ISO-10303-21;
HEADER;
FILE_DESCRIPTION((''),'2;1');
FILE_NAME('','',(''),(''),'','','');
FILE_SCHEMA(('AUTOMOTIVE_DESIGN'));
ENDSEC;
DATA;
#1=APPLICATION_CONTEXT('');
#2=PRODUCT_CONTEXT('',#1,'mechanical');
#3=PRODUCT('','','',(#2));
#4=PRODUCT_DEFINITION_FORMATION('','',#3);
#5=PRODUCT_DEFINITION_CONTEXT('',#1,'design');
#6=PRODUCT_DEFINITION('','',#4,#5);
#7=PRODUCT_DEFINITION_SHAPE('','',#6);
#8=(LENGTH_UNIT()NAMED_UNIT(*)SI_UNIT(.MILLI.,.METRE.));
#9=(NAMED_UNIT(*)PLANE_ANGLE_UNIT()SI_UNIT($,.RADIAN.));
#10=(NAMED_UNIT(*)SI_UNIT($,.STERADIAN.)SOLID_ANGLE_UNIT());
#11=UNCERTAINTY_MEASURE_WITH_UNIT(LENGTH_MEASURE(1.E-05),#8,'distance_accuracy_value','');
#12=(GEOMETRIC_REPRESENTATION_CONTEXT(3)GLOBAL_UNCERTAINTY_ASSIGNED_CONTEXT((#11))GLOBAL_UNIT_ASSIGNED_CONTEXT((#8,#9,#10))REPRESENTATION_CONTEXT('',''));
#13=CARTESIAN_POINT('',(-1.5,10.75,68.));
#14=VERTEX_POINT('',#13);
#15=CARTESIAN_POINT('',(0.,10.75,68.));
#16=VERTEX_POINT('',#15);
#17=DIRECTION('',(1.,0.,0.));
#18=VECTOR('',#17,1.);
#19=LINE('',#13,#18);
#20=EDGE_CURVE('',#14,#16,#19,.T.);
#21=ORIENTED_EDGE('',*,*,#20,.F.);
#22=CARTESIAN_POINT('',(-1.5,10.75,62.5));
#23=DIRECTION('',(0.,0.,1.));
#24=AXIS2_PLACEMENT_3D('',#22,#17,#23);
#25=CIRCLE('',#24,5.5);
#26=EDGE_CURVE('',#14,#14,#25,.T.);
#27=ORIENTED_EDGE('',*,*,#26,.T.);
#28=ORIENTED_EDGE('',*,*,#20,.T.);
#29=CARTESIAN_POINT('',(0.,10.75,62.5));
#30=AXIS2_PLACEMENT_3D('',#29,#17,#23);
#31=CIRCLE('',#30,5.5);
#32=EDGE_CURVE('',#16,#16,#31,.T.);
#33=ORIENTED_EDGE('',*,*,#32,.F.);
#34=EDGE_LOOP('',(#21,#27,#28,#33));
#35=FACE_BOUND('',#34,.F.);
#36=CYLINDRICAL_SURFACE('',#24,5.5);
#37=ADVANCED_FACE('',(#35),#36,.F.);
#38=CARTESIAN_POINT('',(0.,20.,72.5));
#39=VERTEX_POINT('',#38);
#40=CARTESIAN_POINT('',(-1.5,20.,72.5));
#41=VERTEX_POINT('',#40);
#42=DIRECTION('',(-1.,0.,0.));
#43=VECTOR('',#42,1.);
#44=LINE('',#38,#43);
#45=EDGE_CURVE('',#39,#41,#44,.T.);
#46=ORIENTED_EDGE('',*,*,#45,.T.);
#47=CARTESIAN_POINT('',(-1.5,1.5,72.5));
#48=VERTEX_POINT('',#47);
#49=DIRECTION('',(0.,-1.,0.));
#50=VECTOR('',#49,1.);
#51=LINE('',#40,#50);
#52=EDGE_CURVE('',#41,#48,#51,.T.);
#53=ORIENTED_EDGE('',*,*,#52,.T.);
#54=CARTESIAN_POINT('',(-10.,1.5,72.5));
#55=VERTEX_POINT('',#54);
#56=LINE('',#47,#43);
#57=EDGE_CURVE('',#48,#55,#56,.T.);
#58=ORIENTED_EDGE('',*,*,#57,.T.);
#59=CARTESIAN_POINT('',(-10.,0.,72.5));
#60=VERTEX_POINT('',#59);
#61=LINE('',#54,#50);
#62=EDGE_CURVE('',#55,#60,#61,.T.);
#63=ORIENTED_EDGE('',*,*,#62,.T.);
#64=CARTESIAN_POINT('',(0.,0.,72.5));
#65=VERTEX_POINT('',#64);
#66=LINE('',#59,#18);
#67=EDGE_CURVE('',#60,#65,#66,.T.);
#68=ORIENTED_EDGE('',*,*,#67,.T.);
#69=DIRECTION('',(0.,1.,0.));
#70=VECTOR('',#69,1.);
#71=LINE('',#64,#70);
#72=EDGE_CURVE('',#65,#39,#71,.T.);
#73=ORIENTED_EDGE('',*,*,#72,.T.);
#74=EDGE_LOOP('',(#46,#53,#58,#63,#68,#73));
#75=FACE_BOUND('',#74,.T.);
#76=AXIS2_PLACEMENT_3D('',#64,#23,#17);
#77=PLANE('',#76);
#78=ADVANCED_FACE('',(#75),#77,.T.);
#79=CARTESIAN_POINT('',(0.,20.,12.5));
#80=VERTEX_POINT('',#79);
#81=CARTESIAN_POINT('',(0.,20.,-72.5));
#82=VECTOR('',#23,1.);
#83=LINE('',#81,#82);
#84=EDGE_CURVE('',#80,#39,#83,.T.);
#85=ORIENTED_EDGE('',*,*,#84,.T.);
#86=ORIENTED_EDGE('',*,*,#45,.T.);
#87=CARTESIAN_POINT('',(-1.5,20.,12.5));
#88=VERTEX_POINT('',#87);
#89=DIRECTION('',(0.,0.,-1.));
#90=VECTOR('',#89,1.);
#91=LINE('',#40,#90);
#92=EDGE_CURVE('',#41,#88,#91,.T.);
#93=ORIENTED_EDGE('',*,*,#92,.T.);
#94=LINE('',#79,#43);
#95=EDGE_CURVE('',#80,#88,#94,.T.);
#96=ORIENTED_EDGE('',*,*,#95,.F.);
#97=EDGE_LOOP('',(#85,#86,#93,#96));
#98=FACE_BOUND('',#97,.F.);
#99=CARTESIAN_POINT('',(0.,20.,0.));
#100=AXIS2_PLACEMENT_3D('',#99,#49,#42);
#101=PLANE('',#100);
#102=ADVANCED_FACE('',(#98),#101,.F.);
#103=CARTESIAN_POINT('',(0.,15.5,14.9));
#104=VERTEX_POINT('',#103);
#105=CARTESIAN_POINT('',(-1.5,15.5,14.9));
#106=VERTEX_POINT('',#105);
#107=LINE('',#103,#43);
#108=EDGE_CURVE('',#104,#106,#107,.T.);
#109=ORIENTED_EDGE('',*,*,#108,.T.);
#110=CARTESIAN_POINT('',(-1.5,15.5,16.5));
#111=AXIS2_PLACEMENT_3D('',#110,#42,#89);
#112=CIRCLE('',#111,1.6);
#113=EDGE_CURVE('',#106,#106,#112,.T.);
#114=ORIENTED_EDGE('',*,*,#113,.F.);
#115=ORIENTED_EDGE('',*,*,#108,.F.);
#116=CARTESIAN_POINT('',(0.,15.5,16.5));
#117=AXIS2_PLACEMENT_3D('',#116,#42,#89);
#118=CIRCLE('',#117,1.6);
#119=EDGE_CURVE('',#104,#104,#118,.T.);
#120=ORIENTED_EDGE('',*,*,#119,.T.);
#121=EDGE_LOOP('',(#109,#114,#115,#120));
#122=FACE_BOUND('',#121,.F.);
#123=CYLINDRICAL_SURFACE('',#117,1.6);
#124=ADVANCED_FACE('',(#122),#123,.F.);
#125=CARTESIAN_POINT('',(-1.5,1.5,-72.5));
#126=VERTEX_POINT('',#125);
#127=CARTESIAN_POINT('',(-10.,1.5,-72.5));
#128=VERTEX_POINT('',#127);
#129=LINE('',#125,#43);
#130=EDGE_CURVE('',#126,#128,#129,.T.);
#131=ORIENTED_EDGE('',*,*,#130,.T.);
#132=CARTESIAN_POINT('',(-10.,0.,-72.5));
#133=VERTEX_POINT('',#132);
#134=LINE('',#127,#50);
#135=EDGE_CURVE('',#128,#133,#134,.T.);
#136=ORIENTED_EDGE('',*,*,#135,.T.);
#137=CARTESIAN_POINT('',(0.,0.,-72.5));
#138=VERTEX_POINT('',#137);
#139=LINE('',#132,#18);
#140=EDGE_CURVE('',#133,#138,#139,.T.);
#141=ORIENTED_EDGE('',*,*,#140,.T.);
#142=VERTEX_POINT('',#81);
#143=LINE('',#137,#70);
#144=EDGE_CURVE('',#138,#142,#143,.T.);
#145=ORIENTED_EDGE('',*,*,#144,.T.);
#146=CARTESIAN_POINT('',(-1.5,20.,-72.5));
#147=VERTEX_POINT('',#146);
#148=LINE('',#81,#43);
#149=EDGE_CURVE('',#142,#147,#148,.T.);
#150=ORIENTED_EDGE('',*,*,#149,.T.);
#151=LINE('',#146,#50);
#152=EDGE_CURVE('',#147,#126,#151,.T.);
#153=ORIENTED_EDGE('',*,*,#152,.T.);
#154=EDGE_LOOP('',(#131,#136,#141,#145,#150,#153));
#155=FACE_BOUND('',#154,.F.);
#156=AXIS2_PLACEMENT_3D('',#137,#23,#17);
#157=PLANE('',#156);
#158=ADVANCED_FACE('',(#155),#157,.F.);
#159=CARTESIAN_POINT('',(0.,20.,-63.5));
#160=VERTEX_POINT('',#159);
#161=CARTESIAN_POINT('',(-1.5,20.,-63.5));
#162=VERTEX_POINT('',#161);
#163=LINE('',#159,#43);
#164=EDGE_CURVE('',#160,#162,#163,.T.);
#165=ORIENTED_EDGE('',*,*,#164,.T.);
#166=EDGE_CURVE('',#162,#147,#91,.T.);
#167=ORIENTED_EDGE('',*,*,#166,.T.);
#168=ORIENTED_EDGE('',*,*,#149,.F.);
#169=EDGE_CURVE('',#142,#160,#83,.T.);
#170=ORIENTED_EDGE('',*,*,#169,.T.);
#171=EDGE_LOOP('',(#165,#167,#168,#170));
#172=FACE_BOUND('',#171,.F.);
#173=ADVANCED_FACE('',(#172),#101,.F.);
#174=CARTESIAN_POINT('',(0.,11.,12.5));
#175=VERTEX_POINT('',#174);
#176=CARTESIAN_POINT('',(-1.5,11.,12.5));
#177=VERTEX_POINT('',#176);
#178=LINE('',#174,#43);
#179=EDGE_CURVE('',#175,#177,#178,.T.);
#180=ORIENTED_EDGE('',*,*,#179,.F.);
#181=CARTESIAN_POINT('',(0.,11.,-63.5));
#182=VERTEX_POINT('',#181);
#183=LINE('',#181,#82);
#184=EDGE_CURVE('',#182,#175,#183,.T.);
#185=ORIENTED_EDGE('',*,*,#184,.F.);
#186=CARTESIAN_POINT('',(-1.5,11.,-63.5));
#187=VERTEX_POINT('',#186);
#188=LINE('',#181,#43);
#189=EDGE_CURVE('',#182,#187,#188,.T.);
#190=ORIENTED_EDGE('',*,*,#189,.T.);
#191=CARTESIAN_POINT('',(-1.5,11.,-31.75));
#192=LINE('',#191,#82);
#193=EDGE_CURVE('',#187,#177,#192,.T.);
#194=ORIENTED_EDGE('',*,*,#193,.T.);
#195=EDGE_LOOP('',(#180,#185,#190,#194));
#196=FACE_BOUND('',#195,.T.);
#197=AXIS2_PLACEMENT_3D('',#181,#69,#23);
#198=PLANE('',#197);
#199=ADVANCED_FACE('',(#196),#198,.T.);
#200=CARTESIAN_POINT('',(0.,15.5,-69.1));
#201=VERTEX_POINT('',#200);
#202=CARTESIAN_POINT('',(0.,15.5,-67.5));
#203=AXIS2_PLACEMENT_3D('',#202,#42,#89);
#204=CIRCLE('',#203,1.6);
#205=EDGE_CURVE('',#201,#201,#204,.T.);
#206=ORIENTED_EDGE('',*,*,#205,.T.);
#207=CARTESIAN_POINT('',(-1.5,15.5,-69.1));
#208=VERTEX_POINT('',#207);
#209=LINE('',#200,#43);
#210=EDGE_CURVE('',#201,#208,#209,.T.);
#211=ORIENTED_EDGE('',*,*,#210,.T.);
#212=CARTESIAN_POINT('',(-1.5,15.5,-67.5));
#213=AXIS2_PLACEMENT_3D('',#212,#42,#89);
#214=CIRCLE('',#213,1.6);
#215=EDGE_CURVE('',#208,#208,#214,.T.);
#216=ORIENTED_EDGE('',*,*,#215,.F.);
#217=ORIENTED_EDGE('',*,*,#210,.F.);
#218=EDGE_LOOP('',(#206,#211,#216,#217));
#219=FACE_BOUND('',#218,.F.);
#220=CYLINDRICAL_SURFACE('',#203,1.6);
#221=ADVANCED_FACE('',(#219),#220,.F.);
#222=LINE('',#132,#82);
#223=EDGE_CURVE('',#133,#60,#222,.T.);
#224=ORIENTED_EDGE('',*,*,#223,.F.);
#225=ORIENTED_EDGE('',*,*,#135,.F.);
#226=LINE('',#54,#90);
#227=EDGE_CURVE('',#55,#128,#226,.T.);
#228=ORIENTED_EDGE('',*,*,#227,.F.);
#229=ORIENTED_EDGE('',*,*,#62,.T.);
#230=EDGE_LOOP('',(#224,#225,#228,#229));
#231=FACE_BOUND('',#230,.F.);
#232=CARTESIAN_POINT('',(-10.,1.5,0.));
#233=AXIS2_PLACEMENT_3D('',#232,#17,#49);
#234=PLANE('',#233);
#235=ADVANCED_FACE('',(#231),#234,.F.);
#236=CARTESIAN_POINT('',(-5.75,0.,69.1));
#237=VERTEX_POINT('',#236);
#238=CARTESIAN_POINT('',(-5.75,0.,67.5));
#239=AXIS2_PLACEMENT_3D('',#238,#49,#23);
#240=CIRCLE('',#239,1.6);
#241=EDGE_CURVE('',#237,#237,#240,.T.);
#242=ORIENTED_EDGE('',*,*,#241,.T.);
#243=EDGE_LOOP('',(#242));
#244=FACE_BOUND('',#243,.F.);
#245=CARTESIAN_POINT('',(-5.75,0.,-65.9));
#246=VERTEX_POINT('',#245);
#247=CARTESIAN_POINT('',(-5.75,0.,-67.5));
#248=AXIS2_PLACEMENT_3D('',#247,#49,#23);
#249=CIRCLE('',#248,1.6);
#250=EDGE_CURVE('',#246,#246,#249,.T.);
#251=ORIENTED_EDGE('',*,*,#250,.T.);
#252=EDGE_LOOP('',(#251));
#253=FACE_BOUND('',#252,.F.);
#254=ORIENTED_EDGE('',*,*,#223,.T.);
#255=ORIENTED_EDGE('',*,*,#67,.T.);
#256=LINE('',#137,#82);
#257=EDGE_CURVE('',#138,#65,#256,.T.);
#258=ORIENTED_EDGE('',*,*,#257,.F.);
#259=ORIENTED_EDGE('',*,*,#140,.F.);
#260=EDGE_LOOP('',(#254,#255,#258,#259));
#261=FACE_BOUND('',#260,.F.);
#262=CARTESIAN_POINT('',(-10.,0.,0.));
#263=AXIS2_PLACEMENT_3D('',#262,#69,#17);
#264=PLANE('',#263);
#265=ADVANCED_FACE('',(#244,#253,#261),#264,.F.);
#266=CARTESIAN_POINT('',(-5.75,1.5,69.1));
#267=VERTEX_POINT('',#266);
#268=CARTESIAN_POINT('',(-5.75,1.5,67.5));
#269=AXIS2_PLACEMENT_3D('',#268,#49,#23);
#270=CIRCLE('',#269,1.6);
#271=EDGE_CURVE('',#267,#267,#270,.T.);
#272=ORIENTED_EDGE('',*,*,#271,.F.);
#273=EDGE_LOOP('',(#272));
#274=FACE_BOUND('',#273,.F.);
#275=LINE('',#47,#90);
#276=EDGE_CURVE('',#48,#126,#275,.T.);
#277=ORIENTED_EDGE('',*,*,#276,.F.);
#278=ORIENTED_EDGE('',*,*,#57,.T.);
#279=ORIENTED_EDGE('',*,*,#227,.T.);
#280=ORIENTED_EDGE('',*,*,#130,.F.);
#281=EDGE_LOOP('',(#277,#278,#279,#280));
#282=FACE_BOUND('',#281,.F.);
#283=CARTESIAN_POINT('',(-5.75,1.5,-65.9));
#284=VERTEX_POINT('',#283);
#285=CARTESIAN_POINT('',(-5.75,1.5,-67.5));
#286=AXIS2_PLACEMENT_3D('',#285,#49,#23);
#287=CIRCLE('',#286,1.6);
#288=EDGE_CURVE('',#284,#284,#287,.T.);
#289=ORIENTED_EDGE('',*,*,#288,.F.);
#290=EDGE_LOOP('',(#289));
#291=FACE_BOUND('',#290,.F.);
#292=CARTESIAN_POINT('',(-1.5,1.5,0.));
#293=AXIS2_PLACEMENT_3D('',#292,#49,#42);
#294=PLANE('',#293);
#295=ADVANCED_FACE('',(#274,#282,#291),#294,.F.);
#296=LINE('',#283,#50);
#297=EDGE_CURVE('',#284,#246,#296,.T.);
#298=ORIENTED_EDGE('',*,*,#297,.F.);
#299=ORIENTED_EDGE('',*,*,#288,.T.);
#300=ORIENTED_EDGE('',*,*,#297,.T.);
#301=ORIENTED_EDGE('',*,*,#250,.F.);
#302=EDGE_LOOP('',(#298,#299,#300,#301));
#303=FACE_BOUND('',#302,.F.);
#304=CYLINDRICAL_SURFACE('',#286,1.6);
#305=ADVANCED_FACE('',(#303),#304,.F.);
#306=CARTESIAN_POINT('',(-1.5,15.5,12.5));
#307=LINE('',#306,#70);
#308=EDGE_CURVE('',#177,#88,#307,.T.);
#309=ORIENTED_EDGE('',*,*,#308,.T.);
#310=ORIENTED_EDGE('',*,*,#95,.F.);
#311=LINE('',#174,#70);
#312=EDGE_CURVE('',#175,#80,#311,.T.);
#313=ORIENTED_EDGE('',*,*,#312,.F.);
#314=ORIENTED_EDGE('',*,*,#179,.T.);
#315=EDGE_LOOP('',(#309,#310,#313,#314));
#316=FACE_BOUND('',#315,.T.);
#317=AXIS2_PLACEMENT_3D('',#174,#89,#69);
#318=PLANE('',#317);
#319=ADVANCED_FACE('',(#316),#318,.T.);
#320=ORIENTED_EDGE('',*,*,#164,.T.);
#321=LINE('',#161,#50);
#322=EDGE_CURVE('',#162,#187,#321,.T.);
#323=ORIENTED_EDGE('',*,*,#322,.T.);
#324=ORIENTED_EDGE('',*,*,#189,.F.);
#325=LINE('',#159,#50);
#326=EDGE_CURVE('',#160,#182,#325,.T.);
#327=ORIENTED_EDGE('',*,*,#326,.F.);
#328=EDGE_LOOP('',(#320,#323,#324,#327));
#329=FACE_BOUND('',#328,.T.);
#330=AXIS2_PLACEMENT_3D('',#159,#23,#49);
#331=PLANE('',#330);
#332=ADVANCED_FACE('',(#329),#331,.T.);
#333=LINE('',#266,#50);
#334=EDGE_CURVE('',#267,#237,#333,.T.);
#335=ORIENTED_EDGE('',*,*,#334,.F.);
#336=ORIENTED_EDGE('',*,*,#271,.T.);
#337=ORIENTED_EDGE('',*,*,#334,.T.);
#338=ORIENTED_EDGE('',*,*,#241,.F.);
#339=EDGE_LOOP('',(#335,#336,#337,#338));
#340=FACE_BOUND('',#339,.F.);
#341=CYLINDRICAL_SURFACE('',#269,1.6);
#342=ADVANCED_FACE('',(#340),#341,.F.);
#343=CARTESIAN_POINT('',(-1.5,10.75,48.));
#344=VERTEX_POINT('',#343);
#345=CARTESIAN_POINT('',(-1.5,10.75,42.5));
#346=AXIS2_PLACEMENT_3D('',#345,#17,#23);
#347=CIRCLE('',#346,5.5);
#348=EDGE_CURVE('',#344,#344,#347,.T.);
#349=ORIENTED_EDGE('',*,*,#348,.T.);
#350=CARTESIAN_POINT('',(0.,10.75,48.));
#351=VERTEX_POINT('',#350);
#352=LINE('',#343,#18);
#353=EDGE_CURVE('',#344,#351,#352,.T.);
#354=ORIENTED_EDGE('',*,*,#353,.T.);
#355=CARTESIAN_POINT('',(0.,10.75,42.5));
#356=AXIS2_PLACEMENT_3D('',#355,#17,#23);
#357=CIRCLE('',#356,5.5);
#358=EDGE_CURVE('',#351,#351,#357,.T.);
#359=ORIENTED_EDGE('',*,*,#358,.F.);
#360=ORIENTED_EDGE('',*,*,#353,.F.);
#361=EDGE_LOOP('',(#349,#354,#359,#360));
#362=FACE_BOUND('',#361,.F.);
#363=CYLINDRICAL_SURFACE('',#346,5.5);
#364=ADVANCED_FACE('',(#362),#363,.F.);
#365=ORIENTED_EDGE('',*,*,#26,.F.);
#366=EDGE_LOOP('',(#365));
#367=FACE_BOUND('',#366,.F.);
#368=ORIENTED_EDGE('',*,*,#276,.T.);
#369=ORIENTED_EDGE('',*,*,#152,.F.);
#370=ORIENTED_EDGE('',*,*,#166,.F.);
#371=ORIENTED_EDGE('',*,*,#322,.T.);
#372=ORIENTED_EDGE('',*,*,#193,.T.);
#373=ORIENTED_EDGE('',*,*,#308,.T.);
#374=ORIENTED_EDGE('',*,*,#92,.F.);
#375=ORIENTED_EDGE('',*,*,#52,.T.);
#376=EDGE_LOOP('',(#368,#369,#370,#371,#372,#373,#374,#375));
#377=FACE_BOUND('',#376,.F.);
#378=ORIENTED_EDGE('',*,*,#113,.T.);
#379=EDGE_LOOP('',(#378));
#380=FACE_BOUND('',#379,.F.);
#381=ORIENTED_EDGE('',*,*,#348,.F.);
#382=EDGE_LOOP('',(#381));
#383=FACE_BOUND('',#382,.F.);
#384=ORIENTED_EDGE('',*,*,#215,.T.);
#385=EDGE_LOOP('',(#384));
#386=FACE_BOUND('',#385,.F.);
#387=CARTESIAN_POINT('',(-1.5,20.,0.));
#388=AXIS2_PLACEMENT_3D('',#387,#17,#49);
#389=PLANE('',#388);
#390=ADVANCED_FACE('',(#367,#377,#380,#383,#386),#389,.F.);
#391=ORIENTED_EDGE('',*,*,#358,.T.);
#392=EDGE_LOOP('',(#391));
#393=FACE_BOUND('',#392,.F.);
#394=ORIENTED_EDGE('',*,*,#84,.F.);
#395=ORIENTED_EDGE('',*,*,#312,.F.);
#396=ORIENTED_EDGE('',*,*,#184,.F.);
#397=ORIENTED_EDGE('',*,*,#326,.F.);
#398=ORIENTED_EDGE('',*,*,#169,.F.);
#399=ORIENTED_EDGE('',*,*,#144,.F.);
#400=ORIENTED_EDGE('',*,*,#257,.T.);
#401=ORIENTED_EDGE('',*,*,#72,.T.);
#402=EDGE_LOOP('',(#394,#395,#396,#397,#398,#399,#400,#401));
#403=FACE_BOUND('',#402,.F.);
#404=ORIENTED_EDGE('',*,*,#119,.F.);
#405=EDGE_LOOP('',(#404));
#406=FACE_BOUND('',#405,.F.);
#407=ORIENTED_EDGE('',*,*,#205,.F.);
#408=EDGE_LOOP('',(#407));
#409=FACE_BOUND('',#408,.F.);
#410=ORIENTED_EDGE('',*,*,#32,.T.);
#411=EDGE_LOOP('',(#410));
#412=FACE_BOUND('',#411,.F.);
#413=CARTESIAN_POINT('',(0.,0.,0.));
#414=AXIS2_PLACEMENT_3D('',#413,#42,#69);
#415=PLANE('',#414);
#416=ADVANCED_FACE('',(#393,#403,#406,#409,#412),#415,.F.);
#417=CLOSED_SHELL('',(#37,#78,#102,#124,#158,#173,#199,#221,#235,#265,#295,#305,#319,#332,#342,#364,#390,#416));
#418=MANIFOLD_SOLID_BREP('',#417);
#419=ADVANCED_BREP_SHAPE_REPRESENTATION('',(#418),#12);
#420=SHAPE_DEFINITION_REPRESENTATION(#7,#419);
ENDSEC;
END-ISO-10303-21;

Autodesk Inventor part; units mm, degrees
ref_plane "YZ Plane" through (0, 0, 0) normal (1, 0, 0) x (0, 1, 0)
ref_plane "XZ Plane" through (0, 0, 0) normal (0, 1, 0) x (-1, 0, 0)
ref_plane "XY Plane" through (0, 0, 0) normal (0, 0, 1) x (1, 0, 0)
sketch "Náčrt1" plane through (0, 0, 0) normal (0, 0, 1) x (1, 0, 0)
  line L0 (-10, 0) -> (0, 0)
  line L1 (0, 0) -> (0, 20)
  line L2 (0, 20) -> (-1.5, 20)
  line L3 (-1.5, 20) -> (-1.5, 1.5)
  line L4 (-1.5, 1.5) -> (-10, 1.5)
  line L5 (-10, 1.5) -> (-10, 0)
  line L6 (-12, 0) -> (2, 0) projected
  line L7 (0, 24) -> (0, -4) projected
  point P0 (0, 0)
  dimension "d0" = 20
  dimension "d1" = 10
  dimension "d2" = 1.5
  dimension "d3" = 1.5
extrude "Vysunutí1" add sketch "Náčrt1" along normal mid plane 145
sketch "Náčrt2" plane through (-10, 1.5, 72.5) normal (0, 1, 0) x (1, 0, 0)
  line L0 (0, 0) -> (0, 145) projected
  line L1 (8.5, 0) -> (0, 0) projected
  line L2 (8.5, 145) -> (8.5, 0) projected
  line L3 (0, 145) -> (8.5, 145) projected
  point P0 (10, 72.5)
  point P1 (4.25, 140)
  point P2 (4.25, 5)
  point P3 (4.25, 0)
  dimension "d6" = 4.25
  dimension "d7" = 4.25
  dimension "d57" = 5
  dimension "d78" = 5
hole "Díra1" at (-5.75, 1.5, -67.5) at (-5.75, 1.5, 67.5) direction (0, -1, 0) diameter 3.2 end through all
sketch "Náčrt9" plane through (-1.5, 1.5, 72.5) normal (-1, 0, 0) x (0, 0, 1)
  line L0 (-145, 18.5) -> (0, 18.5) projected
  line L1 (0, 18.5) -> (0, 0) projected
  point P0 (-72.5, -1.5)
  point P1 (-10, 9.25)
  point P2 (-30, 9.25)
  dimension "d79" = 9.25
  dimension "d80" = 9.25
  dimension "d81" = 10
  dimension "d82" = 30
hole "Díra7" at (-1.5, 10.75, 62.5) at (-1.5, 10.75, 42.5) direction (1, 0, 0) diameter 11 end through all
sketch "Náčrt10" plane through (0, 0, 72.5) normal (1, 0, 0) x (0, 0, -1)
  circle A0 centre (30, 10.75) radius 5.5 projected
  circle A1 centre (10, 10.75) radius 5.5 projected
  line L0 (145, 20) -> (0, 20) projected
  line L1 (0, 0) -> (0, 20) projected
  line L2 (145, 0) -> (0, 0) projected
  line L3 (145, 20) -> (145, 0) projected
  line L4 (60, 20) -> (136, 20)
  line L5 (136, 20) -> (136, 11)
  line L6 (136, 11) -> (60, 11)
  line L7 (60, 11) -> (60, 20)
  point P0 (72.5, 0)
  point P1 (60, 15.5)
  dimension "d90" = 76
  dimension "d91" = 9
  dimension "d92" = 60
extrude "Vysunutí3" cut sketch "Náčrt10" against normal through all contours L5 L6 L7 L0
sketch "Náčrt11" plane through (0, 0, 72.5) normal (1, 0, 0) x (0, 0, -1)
  line L0 (136, 20) -> (136, 11) projected
  line L1 (136, 11) -> (60, 11) projected
  line L2 (60, 11) -> (60, 20) projected
  line L3 (60, 20) -> (0, 20) projected
  line L4 (0, 0) -> (0, 20) projected
  line L5 (145, 0) -> (0, 0) projected
  line L6 (145, 20) -> (145, 0) projected
  line L7 (145, 20) -> (136, 20) projected
  circle A0 centre (10, 10.75) radius 5.5 projected
  circle A1 centre (30, 10.75) radius 5.5 projected
  point P0 (72.5, 0)
  point P1 (56, 15.5)
  point P2 (140, 15.5)
  point P3 (140.5, 20)
  point P4 (136, 15.5)
  dimension "d96" = 4.5
  dimension "d97" = 4
  dimension "d98" = 4.5
  dimension "d99" = 4
hole "Díra8" at (0, 15.5, 16.5) at (0, 15.5, -67.5) direction (-1, 0, 0) diameter 3.2 end through all
properties part number "panel" material "Hliník 6061"
